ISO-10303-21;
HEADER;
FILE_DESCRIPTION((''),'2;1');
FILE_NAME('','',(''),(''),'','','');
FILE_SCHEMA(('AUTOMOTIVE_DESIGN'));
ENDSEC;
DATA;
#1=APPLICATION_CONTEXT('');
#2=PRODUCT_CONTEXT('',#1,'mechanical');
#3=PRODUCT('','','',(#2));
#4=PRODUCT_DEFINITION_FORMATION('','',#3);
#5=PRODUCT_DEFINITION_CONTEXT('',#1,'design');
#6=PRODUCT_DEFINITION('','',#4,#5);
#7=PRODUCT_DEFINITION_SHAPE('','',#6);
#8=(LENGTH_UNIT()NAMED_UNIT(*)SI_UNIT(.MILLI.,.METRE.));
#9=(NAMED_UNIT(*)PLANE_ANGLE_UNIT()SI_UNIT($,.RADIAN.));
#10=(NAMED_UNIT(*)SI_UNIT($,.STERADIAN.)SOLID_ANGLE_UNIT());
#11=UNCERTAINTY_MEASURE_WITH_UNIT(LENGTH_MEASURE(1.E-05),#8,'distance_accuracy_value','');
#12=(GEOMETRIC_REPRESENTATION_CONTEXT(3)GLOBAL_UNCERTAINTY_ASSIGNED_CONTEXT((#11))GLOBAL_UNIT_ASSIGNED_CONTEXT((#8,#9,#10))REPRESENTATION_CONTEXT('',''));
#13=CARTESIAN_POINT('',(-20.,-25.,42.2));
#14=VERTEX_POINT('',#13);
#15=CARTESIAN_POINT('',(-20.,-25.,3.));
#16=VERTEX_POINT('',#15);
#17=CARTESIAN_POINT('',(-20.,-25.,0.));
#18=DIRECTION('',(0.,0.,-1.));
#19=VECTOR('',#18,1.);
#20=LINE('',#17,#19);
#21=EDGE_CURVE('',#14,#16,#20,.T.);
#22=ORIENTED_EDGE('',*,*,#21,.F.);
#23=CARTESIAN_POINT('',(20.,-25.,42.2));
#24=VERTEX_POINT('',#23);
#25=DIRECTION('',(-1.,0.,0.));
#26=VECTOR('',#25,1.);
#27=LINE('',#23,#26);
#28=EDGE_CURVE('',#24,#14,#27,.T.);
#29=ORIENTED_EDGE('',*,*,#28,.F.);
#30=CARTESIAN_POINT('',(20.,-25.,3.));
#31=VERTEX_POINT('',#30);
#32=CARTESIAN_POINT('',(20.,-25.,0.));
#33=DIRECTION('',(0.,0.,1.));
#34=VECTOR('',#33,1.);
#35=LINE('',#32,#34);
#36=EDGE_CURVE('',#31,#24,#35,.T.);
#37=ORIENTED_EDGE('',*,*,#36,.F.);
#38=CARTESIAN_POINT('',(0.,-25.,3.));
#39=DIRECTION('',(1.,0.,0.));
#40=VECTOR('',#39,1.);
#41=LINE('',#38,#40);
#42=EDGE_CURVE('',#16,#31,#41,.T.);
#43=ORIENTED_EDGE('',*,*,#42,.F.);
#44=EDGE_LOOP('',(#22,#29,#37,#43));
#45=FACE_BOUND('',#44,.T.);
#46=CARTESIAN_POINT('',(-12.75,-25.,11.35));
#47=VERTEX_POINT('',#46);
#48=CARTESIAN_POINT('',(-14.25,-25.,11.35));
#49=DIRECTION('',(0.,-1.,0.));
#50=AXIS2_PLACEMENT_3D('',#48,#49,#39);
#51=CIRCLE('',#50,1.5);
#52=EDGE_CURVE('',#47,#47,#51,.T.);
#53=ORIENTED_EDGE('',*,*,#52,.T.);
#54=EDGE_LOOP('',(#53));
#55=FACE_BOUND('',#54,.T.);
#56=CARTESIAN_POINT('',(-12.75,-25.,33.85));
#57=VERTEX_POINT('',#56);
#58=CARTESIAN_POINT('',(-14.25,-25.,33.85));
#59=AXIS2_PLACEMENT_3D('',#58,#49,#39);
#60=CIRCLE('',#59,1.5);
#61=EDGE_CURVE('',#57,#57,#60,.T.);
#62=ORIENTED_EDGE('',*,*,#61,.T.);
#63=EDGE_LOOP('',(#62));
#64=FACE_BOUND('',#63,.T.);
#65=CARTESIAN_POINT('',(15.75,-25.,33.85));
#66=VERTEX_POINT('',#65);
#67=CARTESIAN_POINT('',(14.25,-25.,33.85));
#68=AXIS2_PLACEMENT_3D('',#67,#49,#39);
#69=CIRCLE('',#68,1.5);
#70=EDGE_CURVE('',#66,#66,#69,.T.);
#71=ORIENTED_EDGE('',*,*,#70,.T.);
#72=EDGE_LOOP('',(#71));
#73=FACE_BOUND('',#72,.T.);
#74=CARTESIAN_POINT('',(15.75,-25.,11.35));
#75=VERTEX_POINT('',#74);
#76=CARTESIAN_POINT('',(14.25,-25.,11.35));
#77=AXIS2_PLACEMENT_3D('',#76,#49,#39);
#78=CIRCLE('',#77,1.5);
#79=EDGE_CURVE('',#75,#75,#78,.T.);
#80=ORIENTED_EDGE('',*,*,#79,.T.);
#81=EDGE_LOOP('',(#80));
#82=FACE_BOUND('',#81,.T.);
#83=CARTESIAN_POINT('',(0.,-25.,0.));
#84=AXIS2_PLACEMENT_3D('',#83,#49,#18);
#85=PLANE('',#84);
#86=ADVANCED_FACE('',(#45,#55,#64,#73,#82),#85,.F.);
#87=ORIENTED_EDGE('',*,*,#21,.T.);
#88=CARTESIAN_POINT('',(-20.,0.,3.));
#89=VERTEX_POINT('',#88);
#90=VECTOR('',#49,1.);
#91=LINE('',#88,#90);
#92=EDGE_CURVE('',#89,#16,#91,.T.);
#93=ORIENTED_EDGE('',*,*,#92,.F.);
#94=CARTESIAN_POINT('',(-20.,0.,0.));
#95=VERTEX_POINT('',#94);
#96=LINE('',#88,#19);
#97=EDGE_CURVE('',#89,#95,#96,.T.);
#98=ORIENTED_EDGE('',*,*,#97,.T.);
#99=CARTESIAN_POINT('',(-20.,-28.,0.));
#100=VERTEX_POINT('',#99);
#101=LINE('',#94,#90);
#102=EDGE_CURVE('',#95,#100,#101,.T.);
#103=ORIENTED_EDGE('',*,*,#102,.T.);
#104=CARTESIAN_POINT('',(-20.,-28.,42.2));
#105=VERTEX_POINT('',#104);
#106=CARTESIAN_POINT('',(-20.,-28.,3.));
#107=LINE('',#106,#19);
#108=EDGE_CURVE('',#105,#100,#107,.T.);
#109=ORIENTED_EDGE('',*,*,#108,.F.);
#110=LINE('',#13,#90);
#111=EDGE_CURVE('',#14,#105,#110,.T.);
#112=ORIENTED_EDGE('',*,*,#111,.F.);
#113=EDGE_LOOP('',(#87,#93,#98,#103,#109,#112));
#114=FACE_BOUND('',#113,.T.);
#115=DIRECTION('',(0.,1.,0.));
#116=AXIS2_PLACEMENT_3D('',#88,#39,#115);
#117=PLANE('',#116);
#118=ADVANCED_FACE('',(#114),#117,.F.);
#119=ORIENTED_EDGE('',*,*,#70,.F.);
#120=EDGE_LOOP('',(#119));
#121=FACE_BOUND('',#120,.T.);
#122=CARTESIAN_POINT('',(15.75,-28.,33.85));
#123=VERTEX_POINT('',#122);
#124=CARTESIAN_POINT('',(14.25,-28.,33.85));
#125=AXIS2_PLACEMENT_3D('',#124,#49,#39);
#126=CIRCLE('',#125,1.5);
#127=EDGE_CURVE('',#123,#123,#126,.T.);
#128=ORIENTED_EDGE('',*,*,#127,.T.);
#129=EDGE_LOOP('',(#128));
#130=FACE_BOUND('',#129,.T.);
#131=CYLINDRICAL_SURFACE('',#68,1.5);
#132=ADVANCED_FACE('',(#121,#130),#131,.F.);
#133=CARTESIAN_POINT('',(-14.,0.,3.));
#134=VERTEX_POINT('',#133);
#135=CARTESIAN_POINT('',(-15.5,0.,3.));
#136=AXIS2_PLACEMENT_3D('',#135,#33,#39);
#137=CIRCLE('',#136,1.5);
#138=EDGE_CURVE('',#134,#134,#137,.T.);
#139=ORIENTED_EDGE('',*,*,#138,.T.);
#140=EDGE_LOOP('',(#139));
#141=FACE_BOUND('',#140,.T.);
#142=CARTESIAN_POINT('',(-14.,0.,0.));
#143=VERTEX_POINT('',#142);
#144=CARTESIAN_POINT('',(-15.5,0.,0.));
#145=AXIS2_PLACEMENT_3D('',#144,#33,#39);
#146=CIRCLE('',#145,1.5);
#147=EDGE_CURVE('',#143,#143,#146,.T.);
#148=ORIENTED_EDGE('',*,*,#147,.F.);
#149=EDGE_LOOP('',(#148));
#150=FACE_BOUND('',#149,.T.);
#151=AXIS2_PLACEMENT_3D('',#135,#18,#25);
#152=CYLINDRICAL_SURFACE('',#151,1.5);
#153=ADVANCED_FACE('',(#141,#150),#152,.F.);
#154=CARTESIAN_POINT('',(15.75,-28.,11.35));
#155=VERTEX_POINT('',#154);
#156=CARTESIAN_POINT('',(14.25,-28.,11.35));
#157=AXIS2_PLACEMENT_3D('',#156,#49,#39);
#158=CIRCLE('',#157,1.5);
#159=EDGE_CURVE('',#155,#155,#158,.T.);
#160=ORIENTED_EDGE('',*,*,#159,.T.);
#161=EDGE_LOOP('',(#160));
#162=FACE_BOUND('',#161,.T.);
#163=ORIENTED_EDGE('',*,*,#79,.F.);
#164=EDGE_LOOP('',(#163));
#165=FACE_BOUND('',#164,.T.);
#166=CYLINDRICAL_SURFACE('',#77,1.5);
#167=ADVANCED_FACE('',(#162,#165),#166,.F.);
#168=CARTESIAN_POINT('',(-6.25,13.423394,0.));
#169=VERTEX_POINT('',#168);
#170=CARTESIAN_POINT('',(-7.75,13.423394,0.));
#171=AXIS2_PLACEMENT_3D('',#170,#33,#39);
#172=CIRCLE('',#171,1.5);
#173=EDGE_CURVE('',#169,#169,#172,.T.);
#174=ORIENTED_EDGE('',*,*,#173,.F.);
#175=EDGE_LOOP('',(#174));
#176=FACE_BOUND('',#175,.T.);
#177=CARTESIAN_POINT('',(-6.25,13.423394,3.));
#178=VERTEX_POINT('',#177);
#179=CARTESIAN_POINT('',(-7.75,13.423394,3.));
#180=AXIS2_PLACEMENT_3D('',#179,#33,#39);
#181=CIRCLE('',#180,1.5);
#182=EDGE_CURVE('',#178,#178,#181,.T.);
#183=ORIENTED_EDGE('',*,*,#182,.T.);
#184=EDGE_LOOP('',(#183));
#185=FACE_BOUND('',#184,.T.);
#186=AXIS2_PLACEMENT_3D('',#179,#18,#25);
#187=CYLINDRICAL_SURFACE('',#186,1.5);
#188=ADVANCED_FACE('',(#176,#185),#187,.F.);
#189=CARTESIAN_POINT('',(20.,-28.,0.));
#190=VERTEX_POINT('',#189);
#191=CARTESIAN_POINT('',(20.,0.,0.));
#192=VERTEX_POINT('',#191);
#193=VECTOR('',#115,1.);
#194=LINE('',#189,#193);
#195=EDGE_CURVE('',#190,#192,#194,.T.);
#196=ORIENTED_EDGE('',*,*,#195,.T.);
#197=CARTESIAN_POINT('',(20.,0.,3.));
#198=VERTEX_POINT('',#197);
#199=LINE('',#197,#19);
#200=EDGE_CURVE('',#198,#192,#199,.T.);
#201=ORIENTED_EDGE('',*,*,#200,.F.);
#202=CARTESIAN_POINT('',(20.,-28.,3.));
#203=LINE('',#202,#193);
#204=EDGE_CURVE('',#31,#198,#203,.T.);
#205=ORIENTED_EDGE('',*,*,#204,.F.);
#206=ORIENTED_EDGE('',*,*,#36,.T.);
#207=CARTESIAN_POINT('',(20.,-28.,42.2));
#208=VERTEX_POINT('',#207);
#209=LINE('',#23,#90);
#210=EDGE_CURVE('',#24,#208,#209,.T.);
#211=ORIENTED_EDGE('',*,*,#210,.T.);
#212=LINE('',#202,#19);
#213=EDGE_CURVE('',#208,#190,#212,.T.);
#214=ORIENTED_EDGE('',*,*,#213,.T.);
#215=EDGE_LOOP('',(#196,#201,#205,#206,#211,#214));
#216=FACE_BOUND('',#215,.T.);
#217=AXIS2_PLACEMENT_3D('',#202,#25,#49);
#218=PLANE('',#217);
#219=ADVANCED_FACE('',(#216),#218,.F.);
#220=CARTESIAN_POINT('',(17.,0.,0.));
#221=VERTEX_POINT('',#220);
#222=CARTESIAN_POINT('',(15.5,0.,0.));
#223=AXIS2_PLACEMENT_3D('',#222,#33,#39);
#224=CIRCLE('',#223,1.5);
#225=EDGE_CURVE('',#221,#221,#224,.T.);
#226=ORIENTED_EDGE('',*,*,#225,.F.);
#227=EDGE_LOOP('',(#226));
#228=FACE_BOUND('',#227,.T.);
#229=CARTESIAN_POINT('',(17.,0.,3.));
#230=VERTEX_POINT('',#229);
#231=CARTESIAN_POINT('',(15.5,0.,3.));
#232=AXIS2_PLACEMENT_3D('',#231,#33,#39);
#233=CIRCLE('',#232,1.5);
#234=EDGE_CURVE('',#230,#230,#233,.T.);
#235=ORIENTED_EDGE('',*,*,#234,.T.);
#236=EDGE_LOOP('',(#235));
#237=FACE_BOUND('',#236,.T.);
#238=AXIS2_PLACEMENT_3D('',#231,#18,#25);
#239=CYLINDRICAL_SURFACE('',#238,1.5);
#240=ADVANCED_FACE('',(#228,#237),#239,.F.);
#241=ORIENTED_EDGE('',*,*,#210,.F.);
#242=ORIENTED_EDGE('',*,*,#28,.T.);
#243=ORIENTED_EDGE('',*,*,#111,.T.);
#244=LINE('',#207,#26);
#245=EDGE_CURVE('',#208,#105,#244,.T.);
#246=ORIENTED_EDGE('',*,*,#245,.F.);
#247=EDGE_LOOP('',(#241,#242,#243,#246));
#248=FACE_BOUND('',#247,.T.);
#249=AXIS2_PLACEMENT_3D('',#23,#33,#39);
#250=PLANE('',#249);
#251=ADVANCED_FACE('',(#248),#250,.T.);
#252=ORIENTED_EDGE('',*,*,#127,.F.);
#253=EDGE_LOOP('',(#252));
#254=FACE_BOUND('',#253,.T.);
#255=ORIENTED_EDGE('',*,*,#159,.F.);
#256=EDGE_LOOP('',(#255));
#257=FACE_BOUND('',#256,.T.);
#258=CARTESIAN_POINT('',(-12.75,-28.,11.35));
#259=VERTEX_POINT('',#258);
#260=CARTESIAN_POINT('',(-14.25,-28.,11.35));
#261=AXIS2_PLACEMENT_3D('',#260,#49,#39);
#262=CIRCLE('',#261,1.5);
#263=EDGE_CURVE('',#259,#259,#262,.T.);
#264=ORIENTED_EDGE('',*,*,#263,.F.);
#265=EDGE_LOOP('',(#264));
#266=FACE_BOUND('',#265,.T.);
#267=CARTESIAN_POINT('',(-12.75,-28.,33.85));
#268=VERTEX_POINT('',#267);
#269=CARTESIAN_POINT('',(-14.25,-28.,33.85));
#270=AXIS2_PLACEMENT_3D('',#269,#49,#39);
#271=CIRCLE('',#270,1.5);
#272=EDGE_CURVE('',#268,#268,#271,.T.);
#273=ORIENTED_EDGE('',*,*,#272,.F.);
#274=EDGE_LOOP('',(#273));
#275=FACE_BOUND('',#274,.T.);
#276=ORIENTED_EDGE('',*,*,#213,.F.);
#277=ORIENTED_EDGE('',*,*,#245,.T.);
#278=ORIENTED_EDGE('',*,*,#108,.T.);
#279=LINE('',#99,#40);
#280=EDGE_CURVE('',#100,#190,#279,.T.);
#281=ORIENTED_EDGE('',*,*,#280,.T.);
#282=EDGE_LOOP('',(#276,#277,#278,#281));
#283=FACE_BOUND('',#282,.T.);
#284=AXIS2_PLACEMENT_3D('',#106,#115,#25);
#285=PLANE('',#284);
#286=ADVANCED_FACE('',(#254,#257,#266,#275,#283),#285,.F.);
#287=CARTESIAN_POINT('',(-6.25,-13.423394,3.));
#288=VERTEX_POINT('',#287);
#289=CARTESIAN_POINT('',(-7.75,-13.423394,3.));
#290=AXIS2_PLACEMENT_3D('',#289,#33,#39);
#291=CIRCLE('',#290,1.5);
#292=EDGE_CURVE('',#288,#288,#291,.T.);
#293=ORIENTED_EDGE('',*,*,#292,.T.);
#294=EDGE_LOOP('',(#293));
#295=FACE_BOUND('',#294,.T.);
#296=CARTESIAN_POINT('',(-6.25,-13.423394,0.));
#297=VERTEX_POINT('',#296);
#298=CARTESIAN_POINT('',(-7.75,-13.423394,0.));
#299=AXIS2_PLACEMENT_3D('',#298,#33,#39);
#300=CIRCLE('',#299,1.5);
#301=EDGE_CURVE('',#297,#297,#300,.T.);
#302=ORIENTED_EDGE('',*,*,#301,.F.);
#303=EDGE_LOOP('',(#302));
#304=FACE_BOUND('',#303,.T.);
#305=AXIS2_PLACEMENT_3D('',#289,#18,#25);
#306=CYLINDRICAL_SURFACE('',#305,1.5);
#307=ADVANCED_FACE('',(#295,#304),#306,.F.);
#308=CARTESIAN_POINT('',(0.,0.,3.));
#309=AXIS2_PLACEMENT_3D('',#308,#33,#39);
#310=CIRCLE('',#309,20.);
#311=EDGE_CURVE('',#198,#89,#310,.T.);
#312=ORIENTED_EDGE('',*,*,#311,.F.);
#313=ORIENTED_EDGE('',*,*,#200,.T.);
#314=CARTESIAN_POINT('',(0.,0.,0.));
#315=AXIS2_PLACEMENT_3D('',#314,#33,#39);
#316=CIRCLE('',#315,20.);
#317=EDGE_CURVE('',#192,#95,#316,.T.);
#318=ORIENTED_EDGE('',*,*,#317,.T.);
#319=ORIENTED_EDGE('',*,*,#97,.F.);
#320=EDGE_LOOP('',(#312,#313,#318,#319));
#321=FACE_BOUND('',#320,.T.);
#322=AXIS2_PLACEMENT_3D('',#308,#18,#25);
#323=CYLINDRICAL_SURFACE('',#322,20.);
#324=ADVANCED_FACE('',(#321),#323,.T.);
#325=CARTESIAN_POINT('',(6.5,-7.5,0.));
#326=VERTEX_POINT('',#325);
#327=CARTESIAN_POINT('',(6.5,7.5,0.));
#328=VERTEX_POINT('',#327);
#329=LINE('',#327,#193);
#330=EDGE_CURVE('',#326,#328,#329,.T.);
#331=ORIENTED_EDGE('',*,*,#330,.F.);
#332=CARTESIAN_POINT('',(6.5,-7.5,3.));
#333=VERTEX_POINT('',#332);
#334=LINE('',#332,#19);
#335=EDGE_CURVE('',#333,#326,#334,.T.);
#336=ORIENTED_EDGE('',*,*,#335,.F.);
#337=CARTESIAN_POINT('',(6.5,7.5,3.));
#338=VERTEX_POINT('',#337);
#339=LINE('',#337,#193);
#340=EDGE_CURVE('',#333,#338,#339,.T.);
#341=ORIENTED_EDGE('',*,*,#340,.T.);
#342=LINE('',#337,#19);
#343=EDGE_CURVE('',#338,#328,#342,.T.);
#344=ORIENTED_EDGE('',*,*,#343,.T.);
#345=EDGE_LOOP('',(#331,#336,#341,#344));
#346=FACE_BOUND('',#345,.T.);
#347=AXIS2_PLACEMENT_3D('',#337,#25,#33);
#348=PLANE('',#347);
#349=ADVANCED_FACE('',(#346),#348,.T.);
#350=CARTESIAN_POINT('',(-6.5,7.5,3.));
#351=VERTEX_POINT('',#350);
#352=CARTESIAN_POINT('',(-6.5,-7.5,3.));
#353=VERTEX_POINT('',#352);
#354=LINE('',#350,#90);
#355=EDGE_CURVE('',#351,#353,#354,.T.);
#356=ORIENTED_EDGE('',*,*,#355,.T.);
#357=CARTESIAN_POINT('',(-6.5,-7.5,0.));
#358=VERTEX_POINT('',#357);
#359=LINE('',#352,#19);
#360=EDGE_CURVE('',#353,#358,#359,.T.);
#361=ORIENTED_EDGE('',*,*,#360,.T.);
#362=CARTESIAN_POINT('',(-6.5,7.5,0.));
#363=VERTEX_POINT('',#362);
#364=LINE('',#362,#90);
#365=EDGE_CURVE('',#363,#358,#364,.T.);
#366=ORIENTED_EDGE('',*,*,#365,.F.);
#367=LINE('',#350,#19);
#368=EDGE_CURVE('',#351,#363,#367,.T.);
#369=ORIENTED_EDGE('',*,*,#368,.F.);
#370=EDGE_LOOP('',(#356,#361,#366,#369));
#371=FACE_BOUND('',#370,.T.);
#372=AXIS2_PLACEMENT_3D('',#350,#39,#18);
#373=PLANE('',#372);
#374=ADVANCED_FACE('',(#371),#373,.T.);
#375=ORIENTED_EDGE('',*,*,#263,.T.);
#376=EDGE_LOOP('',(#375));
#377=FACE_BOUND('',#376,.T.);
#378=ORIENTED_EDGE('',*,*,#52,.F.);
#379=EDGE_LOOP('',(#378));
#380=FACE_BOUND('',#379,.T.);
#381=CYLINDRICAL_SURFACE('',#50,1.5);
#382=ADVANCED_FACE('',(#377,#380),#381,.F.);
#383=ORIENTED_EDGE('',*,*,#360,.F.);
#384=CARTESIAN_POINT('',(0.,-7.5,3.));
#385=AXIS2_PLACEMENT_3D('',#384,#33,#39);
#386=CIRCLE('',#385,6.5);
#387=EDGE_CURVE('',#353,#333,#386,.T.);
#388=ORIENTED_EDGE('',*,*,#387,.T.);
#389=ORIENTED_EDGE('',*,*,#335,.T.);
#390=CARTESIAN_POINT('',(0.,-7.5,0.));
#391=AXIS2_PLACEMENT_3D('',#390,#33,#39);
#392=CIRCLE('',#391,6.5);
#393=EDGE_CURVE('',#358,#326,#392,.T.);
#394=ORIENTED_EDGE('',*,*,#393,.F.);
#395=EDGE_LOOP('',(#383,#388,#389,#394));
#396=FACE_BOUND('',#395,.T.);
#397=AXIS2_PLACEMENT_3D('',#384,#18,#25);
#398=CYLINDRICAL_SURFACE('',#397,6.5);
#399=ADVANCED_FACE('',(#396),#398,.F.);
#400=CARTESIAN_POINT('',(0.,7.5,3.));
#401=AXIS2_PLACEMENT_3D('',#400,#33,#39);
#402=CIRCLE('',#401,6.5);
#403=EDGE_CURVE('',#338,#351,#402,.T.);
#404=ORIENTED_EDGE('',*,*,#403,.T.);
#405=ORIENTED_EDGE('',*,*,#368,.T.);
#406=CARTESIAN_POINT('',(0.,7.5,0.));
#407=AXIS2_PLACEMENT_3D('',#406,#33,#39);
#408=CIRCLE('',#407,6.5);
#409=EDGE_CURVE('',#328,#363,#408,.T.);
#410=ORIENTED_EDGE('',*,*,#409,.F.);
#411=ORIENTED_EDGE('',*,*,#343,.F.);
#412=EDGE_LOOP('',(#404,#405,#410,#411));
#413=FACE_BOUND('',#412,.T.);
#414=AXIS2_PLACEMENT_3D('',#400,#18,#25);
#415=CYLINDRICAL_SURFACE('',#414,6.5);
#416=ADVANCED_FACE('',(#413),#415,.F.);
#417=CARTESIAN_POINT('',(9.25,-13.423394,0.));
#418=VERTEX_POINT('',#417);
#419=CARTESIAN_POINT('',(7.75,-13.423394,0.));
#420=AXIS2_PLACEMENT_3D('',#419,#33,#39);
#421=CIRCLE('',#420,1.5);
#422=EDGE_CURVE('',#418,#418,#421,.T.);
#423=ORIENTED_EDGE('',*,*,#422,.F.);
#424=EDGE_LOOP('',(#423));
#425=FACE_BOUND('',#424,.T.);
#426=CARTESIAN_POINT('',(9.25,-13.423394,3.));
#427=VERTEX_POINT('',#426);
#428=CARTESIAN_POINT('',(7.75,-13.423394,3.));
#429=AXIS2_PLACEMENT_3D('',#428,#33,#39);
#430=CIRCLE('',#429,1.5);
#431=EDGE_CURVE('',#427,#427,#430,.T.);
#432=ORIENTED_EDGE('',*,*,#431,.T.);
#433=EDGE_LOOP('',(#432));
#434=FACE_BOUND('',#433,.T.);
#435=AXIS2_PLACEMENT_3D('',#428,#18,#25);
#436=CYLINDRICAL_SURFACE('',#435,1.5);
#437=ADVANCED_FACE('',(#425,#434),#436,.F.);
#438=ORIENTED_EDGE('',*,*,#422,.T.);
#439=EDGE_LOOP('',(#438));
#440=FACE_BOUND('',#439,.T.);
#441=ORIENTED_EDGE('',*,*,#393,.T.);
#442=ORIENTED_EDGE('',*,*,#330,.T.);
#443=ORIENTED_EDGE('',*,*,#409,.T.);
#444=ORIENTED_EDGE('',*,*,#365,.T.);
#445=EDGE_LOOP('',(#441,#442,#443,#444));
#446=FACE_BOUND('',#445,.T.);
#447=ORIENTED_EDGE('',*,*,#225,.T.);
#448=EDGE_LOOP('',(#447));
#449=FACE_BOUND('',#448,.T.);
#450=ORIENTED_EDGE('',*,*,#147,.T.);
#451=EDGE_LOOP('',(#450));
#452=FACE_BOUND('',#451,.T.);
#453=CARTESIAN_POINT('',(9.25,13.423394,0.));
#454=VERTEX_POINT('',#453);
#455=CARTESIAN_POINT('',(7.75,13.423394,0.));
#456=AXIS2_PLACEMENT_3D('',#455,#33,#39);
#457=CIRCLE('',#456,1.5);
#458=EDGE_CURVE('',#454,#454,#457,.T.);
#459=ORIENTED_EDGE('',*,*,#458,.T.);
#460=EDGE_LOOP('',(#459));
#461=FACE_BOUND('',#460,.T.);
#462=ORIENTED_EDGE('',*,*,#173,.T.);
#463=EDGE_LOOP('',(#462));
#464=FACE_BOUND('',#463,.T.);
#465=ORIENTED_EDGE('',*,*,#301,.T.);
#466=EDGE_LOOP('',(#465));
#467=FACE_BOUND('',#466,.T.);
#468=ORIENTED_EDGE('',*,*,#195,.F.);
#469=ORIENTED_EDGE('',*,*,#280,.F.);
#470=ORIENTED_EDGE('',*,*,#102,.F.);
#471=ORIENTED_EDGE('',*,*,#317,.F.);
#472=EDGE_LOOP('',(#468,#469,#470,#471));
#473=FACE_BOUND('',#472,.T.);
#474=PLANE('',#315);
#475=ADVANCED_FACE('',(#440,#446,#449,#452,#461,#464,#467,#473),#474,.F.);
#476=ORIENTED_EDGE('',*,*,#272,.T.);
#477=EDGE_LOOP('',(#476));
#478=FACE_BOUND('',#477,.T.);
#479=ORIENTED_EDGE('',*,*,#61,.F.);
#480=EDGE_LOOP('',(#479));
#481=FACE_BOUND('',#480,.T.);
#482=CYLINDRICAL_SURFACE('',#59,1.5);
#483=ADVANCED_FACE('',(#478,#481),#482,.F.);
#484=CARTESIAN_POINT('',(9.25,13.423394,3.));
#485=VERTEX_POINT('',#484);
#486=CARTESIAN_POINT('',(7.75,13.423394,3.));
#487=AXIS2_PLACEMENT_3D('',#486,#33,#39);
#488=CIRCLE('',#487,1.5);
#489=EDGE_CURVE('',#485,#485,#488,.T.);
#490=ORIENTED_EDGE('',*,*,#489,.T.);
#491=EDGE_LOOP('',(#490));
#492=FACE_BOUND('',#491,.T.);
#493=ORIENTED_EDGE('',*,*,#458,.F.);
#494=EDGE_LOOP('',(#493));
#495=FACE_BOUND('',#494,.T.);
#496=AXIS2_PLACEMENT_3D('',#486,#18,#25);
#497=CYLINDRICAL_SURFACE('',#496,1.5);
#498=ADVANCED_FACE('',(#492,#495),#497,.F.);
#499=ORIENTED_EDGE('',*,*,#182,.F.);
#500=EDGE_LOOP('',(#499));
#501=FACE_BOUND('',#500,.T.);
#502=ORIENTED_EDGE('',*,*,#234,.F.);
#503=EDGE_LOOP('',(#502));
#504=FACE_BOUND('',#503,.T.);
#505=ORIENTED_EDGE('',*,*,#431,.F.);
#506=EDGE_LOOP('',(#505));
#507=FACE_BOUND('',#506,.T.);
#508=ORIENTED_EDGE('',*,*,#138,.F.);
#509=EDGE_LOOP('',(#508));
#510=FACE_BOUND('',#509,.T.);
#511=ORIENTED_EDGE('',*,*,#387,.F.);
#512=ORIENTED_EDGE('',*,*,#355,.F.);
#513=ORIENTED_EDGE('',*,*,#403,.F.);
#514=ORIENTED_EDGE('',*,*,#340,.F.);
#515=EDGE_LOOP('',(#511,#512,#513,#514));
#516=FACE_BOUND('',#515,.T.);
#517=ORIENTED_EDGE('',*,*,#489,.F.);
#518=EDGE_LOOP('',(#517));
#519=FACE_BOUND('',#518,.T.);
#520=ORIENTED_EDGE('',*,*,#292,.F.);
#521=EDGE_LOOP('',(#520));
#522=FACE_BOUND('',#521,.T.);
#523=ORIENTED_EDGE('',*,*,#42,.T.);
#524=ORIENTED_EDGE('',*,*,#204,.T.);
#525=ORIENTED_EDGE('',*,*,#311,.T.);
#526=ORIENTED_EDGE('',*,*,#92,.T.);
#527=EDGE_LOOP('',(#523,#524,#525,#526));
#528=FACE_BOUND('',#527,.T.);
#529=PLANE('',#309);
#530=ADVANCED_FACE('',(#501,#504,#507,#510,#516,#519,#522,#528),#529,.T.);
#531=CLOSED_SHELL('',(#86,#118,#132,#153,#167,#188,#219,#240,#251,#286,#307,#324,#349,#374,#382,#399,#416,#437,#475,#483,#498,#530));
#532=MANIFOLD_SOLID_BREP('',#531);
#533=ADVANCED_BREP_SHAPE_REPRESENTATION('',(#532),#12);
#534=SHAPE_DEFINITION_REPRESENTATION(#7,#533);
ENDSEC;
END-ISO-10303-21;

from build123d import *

# Parameters (mm, degrees)
ESBO_O1_R                = 1.5
RESSALTO_EXTRUS_O1_DEPTH = 3
ESBO_O2_W                = 40
ESBO_O2_H                = 42.2
ESBO_O2_R                = 1.5
RESSALTO_EXTRUS_O2_DEPTH = 3


with BuildPart() as part:
    # Esboço1 → Ressalto-extrusão1 (new body)
    with BuildSketch(Plane.XY):
        with BuildLine():
            Line((-20, 0), (-20, -28))
            Line((-20, -28), (20, -28))
            Line((20, -28), (20, 0))
            ThreePointArc((20, 0), (0, 20), (-20, 0))
        make_face()
        with Locations((-15.5, 0)):
            Circle(ESBO_O1_R, mode=Mode.SUBTRACT)
        with Locations((-7.75, 13.423393759)):
            Circle(ESBO_O1_R, mode=Mode.SUBTRACT)
        with Locations((7.75, 13.423393759)):
            Circle(ESBO_O1_R, mode=Mode.SUBTRACT)
        with Locations((15.5, 0)):
            Circle(ESBO_O1_R, mode=Mode.SUBTRACT)
        with Locations((7.75, -13.423393759)):
            Circle(ESBO_O1_R, mode=Mode.SUBTRACT)
        with Locations((-7.75, -13.423393759)):
            Circle(ESBO_O1_R, mode=Mode.SUBTRACT)
        with BuildLine():
            Line((6.5, 7.5), (6.5, -7.5))
            ThreePointArc((6.5, -7.5), (0, -14), (-6.5, -7.5))
            Line((-6.5, -7.5), (-6.5, 7.5))
            ThreePointArc((-6.5, 7.5), (0, 14), (6.5, 7.5))
        make_face(mode=Mode.SUBTRACT)
    extrude(amount=RESSALTO_EXTRUS_O1_DEPTH)

    # Esboço2 → Ressalto-extrusão2 (add)
    with BuildSketch(Plane.XZ.offset(28)):
        with Locations((0, 21.1)):
            Rectangle(ESBO_O2_W, ESBO_O2_H)
        with Locations((-14.25, 11.35)):
            Circle(ESBO_O2_R, mode=Mode.SUBTRACT)
        with Locations((14.25, 11.35)):
            Circle(ESBO_O2_R, mode=Mode.SUBTRACT)
        with Locations((14.25, 33.85)):
            Circle(ESBO_O2_R, mode=Mode.SUBTRACT)
        with Locations((-14.25, 33.85)):
            Circle(ESBO_O2_R, mode=Mode.SUBTRACT)
    extrude(amount=-RESSALTO_EXTRUS_O2_DEPTH)


solid = part.part
